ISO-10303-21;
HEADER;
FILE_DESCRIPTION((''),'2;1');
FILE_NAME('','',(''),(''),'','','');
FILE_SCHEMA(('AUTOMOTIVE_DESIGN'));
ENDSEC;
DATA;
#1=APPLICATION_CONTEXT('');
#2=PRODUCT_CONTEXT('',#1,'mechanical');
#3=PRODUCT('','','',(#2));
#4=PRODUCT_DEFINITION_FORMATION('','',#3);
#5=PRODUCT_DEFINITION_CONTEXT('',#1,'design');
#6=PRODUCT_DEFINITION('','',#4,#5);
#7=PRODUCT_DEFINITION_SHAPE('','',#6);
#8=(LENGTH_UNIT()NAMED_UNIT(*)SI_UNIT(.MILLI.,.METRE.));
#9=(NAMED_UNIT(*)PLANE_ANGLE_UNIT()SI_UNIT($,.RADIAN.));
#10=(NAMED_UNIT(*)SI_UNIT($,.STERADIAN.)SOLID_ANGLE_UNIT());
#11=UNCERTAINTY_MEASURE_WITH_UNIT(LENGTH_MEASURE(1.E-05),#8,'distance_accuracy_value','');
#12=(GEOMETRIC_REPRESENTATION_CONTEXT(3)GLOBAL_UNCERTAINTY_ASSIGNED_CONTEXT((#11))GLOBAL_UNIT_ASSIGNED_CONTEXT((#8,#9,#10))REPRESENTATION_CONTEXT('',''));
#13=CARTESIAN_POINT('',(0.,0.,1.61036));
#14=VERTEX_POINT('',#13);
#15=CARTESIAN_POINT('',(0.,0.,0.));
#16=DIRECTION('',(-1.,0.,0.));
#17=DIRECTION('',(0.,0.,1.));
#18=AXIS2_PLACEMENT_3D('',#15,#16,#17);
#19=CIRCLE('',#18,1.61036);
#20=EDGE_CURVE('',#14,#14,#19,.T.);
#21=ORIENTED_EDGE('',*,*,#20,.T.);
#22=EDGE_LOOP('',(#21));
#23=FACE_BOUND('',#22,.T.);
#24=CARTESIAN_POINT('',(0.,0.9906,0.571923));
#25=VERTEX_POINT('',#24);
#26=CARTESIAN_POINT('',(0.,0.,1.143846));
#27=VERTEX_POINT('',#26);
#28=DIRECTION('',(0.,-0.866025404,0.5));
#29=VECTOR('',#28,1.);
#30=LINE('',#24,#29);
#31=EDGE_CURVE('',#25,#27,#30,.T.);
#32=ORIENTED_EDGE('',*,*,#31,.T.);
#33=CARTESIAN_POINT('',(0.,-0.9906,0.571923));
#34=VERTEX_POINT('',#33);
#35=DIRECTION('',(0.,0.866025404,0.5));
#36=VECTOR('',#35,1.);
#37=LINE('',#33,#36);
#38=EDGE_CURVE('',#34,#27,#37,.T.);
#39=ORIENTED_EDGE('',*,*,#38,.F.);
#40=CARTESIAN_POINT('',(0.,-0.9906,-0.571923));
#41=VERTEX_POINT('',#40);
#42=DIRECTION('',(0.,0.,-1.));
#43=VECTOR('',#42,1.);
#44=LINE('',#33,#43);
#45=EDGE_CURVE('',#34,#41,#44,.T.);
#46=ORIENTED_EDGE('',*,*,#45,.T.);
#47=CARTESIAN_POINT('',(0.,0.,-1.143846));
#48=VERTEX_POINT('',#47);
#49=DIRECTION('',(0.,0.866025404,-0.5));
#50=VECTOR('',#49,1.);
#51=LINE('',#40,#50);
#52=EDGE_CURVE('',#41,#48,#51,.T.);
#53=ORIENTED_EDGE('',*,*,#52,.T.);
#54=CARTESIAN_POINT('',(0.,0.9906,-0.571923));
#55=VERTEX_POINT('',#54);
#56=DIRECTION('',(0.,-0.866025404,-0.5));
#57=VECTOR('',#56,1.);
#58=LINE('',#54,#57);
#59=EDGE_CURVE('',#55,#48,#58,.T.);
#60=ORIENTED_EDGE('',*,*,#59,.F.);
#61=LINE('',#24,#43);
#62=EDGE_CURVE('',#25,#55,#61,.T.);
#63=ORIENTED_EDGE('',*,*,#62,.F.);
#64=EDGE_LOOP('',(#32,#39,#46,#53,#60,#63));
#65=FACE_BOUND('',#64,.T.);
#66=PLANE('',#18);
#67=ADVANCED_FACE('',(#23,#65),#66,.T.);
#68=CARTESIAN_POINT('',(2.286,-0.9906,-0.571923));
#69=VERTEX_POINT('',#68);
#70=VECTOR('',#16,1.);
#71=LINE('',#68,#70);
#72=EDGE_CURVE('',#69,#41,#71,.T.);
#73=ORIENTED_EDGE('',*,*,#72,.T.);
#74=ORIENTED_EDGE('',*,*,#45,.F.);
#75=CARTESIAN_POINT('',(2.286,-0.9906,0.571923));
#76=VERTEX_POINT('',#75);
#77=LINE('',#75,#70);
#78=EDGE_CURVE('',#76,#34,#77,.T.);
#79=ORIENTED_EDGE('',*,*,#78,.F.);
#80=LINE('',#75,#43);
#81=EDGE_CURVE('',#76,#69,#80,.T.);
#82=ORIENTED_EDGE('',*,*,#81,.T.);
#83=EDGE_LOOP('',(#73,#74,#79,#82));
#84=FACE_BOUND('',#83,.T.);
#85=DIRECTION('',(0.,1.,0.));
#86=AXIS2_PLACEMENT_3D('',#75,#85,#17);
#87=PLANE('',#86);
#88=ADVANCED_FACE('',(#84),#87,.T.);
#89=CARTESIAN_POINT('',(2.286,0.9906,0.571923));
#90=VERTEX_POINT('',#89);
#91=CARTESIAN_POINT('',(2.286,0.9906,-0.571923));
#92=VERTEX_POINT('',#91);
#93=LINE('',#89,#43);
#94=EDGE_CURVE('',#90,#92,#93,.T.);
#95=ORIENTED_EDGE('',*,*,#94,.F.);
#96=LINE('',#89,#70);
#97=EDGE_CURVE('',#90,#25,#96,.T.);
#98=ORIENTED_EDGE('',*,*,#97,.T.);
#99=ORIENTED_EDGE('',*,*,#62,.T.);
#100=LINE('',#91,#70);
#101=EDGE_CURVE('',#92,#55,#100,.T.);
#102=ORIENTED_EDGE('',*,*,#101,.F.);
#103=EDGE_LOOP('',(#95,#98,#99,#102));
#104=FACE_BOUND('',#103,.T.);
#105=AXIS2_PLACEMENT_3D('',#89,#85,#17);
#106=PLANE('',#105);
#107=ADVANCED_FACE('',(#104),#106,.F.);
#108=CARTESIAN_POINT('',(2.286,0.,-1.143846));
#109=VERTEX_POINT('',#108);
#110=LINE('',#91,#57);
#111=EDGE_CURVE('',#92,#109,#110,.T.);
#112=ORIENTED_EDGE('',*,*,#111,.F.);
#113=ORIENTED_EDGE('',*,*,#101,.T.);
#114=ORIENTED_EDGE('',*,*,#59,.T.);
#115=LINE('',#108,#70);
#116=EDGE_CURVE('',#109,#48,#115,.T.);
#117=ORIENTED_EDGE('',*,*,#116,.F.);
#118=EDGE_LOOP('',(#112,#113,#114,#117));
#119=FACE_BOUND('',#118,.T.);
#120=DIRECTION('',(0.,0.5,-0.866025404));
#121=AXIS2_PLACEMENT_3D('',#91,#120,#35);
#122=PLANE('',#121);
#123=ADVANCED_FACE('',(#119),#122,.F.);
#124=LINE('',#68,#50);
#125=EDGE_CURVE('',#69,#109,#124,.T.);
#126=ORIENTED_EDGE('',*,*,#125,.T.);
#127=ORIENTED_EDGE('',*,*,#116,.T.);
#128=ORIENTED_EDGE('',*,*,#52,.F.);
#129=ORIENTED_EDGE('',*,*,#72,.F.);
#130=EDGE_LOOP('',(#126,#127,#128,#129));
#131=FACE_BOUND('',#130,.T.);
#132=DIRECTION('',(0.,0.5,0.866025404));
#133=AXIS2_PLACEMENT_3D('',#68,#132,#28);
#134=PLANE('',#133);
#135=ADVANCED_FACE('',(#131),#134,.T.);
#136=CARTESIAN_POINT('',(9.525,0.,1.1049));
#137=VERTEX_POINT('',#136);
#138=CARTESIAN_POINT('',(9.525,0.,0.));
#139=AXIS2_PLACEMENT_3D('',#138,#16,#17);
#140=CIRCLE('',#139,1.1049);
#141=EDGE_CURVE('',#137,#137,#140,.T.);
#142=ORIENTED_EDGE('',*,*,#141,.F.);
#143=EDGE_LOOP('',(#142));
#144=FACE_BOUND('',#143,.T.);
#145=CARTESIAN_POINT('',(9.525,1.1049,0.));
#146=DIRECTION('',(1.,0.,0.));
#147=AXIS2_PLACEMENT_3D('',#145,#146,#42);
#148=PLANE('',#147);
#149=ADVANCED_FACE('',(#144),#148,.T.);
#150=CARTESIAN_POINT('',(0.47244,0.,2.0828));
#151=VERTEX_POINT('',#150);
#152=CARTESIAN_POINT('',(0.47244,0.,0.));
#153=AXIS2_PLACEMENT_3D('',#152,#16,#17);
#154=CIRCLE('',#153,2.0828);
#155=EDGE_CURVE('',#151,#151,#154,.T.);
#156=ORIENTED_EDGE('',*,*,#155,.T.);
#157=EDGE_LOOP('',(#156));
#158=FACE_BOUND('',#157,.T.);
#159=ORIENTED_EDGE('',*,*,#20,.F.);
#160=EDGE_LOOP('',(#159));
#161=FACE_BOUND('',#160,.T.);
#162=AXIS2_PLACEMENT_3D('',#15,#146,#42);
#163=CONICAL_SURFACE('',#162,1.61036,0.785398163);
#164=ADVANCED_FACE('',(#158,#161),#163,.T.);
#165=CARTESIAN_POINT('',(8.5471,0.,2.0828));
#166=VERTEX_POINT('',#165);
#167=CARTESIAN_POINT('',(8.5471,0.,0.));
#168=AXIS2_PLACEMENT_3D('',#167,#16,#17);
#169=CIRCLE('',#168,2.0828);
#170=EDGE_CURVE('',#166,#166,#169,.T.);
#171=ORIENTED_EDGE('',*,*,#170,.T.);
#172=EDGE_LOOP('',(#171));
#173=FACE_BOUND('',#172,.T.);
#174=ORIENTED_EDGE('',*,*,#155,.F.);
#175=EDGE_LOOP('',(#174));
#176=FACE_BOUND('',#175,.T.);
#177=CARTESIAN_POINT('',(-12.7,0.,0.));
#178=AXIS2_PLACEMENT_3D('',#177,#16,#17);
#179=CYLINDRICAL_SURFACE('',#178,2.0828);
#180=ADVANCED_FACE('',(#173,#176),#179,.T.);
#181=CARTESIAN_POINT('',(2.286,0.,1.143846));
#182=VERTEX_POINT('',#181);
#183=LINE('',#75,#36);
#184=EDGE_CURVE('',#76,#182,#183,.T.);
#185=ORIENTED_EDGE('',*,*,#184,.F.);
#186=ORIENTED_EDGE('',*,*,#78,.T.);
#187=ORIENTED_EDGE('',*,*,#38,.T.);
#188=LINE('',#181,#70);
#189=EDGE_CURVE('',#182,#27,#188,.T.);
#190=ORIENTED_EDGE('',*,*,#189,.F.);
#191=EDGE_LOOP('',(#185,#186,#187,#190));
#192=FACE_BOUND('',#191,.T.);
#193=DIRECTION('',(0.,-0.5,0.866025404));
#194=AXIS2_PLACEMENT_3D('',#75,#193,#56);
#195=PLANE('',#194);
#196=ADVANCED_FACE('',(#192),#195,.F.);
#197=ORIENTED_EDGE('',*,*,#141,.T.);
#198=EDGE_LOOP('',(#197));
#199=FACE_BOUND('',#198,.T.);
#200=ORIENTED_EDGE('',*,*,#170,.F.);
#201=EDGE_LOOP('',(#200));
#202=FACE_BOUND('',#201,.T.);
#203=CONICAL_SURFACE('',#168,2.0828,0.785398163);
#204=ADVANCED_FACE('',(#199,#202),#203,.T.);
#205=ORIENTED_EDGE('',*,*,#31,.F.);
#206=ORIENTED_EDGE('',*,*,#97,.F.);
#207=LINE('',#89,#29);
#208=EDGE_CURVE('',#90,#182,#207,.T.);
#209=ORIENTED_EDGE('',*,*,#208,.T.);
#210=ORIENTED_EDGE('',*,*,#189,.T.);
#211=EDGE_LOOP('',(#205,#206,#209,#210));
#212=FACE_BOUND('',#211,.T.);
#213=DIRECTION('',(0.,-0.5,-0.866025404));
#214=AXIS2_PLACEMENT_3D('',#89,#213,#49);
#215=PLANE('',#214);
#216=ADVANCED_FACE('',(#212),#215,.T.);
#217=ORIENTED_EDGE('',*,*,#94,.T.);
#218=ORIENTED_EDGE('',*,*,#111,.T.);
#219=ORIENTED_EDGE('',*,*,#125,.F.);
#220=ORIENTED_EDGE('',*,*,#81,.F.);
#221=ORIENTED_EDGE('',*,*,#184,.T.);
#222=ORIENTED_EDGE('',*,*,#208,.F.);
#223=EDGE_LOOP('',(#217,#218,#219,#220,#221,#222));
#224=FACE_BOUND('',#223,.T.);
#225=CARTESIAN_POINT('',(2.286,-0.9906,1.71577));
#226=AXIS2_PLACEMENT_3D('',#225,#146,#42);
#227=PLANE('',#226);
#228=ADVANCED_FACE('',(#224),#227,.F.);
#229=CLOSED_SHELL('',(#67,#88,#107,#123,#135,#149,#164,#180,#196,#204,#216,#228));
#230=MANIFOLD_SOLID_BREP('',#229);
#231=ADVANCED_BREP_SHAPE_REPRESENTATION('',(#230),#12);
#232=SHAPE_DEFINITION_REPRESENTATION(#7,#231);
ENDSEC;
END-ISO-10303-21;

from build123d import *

# Parameters (mm, degrees)
HEX_2_DEPTH = 2.286


with BuildPart() as part:
    # BodySke → BaseBody (revolve)
    with BuildSketch(Plane.XY, mode=Mode.PRIVATE) as basebody_sk:
        Polygon((0, 0), (0, 1.61036), (0.47244, 2.0828), (8.5471, 2.0828), (9.525, 1.1049), (9.525, 0), align=None)
    revolve(basebody_sk.sketch.rotate(Axis((-12.7, 0, 0), (1, 0, 0)), 90), axis=Axis((-12.7, 0, 0), (1, 0, 0)))  # turned: the seam where the file's is

    # Sketch2 → Hex 2 (cut)
    with BuildSketch(Plane.ZY):
        Polygon((0.571923177, 0.9906), (-0.571923177, 0.9906), (-1.143846353, 0), (-0.571923177, -0.9906), (0.571923177, -0.9906), (1.143846353, 0), align=None)
    extrude(amount=-HEX_2_DEPTH, mode=Mode.SUBTRACT)


solid = part.part
